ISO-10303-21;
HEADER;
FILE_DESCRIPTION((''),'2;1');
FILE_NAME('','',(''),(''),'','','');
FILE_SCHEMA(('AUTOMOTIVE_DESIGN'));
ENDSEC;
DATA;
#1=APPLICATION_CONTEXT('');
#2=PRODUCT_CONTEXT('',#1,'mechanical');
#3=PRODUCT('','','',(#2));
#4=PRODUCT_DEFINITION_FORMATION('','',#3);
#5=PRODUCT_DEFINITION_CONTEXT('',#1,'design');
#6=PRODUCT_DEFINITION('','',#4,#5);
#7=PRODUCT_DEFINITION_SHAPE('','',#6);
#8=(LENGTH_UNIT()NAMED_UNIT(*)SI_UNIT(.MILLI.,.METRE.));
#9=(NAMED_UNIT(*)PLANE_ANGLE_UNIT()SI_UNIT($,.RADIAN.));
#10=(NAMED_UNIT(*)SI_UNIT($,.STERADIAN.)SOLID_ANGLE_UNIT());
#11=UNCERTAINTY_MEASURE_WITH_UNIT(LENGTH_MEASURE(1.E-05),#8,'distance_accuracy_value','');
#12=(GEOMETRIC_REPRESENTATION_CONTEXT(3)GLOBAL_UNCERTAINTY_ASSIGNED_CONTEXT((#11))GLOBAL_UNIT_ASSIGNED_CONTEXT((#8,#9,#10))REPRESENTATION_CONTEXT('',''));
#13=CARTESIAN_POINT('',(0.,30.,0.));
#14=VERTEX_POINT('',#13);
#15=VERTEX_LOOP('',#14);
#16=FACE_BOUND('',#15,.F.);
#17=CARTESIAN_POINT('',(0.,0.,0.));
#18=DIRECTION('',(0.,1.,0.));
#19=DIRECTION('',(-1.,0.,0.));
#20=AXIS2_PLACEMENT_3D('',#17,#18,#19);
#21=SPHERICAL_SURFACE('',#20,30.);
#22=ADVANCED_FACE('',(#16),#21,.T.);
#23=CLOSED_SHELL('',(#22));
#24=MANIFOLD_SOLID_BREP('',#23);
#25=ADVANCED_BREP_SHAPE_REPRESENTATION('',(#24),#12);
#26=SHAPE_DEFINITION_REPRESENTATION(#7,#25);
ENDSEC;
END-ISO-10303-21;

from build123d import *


with BuildPart() as part:
    # Esquisse1 → Révolution1 (revolve)
    with BuildSketch(Plane.XY):
        with BuildLine():
            Line((0, 30), (0, -30))
            ThreePointArc((0, -30), (-30, 0), (0, 30))
        make_face()
    revolve(axis=Axis((0, 30, 0), (0, -1, 0)))


solid = part.part
